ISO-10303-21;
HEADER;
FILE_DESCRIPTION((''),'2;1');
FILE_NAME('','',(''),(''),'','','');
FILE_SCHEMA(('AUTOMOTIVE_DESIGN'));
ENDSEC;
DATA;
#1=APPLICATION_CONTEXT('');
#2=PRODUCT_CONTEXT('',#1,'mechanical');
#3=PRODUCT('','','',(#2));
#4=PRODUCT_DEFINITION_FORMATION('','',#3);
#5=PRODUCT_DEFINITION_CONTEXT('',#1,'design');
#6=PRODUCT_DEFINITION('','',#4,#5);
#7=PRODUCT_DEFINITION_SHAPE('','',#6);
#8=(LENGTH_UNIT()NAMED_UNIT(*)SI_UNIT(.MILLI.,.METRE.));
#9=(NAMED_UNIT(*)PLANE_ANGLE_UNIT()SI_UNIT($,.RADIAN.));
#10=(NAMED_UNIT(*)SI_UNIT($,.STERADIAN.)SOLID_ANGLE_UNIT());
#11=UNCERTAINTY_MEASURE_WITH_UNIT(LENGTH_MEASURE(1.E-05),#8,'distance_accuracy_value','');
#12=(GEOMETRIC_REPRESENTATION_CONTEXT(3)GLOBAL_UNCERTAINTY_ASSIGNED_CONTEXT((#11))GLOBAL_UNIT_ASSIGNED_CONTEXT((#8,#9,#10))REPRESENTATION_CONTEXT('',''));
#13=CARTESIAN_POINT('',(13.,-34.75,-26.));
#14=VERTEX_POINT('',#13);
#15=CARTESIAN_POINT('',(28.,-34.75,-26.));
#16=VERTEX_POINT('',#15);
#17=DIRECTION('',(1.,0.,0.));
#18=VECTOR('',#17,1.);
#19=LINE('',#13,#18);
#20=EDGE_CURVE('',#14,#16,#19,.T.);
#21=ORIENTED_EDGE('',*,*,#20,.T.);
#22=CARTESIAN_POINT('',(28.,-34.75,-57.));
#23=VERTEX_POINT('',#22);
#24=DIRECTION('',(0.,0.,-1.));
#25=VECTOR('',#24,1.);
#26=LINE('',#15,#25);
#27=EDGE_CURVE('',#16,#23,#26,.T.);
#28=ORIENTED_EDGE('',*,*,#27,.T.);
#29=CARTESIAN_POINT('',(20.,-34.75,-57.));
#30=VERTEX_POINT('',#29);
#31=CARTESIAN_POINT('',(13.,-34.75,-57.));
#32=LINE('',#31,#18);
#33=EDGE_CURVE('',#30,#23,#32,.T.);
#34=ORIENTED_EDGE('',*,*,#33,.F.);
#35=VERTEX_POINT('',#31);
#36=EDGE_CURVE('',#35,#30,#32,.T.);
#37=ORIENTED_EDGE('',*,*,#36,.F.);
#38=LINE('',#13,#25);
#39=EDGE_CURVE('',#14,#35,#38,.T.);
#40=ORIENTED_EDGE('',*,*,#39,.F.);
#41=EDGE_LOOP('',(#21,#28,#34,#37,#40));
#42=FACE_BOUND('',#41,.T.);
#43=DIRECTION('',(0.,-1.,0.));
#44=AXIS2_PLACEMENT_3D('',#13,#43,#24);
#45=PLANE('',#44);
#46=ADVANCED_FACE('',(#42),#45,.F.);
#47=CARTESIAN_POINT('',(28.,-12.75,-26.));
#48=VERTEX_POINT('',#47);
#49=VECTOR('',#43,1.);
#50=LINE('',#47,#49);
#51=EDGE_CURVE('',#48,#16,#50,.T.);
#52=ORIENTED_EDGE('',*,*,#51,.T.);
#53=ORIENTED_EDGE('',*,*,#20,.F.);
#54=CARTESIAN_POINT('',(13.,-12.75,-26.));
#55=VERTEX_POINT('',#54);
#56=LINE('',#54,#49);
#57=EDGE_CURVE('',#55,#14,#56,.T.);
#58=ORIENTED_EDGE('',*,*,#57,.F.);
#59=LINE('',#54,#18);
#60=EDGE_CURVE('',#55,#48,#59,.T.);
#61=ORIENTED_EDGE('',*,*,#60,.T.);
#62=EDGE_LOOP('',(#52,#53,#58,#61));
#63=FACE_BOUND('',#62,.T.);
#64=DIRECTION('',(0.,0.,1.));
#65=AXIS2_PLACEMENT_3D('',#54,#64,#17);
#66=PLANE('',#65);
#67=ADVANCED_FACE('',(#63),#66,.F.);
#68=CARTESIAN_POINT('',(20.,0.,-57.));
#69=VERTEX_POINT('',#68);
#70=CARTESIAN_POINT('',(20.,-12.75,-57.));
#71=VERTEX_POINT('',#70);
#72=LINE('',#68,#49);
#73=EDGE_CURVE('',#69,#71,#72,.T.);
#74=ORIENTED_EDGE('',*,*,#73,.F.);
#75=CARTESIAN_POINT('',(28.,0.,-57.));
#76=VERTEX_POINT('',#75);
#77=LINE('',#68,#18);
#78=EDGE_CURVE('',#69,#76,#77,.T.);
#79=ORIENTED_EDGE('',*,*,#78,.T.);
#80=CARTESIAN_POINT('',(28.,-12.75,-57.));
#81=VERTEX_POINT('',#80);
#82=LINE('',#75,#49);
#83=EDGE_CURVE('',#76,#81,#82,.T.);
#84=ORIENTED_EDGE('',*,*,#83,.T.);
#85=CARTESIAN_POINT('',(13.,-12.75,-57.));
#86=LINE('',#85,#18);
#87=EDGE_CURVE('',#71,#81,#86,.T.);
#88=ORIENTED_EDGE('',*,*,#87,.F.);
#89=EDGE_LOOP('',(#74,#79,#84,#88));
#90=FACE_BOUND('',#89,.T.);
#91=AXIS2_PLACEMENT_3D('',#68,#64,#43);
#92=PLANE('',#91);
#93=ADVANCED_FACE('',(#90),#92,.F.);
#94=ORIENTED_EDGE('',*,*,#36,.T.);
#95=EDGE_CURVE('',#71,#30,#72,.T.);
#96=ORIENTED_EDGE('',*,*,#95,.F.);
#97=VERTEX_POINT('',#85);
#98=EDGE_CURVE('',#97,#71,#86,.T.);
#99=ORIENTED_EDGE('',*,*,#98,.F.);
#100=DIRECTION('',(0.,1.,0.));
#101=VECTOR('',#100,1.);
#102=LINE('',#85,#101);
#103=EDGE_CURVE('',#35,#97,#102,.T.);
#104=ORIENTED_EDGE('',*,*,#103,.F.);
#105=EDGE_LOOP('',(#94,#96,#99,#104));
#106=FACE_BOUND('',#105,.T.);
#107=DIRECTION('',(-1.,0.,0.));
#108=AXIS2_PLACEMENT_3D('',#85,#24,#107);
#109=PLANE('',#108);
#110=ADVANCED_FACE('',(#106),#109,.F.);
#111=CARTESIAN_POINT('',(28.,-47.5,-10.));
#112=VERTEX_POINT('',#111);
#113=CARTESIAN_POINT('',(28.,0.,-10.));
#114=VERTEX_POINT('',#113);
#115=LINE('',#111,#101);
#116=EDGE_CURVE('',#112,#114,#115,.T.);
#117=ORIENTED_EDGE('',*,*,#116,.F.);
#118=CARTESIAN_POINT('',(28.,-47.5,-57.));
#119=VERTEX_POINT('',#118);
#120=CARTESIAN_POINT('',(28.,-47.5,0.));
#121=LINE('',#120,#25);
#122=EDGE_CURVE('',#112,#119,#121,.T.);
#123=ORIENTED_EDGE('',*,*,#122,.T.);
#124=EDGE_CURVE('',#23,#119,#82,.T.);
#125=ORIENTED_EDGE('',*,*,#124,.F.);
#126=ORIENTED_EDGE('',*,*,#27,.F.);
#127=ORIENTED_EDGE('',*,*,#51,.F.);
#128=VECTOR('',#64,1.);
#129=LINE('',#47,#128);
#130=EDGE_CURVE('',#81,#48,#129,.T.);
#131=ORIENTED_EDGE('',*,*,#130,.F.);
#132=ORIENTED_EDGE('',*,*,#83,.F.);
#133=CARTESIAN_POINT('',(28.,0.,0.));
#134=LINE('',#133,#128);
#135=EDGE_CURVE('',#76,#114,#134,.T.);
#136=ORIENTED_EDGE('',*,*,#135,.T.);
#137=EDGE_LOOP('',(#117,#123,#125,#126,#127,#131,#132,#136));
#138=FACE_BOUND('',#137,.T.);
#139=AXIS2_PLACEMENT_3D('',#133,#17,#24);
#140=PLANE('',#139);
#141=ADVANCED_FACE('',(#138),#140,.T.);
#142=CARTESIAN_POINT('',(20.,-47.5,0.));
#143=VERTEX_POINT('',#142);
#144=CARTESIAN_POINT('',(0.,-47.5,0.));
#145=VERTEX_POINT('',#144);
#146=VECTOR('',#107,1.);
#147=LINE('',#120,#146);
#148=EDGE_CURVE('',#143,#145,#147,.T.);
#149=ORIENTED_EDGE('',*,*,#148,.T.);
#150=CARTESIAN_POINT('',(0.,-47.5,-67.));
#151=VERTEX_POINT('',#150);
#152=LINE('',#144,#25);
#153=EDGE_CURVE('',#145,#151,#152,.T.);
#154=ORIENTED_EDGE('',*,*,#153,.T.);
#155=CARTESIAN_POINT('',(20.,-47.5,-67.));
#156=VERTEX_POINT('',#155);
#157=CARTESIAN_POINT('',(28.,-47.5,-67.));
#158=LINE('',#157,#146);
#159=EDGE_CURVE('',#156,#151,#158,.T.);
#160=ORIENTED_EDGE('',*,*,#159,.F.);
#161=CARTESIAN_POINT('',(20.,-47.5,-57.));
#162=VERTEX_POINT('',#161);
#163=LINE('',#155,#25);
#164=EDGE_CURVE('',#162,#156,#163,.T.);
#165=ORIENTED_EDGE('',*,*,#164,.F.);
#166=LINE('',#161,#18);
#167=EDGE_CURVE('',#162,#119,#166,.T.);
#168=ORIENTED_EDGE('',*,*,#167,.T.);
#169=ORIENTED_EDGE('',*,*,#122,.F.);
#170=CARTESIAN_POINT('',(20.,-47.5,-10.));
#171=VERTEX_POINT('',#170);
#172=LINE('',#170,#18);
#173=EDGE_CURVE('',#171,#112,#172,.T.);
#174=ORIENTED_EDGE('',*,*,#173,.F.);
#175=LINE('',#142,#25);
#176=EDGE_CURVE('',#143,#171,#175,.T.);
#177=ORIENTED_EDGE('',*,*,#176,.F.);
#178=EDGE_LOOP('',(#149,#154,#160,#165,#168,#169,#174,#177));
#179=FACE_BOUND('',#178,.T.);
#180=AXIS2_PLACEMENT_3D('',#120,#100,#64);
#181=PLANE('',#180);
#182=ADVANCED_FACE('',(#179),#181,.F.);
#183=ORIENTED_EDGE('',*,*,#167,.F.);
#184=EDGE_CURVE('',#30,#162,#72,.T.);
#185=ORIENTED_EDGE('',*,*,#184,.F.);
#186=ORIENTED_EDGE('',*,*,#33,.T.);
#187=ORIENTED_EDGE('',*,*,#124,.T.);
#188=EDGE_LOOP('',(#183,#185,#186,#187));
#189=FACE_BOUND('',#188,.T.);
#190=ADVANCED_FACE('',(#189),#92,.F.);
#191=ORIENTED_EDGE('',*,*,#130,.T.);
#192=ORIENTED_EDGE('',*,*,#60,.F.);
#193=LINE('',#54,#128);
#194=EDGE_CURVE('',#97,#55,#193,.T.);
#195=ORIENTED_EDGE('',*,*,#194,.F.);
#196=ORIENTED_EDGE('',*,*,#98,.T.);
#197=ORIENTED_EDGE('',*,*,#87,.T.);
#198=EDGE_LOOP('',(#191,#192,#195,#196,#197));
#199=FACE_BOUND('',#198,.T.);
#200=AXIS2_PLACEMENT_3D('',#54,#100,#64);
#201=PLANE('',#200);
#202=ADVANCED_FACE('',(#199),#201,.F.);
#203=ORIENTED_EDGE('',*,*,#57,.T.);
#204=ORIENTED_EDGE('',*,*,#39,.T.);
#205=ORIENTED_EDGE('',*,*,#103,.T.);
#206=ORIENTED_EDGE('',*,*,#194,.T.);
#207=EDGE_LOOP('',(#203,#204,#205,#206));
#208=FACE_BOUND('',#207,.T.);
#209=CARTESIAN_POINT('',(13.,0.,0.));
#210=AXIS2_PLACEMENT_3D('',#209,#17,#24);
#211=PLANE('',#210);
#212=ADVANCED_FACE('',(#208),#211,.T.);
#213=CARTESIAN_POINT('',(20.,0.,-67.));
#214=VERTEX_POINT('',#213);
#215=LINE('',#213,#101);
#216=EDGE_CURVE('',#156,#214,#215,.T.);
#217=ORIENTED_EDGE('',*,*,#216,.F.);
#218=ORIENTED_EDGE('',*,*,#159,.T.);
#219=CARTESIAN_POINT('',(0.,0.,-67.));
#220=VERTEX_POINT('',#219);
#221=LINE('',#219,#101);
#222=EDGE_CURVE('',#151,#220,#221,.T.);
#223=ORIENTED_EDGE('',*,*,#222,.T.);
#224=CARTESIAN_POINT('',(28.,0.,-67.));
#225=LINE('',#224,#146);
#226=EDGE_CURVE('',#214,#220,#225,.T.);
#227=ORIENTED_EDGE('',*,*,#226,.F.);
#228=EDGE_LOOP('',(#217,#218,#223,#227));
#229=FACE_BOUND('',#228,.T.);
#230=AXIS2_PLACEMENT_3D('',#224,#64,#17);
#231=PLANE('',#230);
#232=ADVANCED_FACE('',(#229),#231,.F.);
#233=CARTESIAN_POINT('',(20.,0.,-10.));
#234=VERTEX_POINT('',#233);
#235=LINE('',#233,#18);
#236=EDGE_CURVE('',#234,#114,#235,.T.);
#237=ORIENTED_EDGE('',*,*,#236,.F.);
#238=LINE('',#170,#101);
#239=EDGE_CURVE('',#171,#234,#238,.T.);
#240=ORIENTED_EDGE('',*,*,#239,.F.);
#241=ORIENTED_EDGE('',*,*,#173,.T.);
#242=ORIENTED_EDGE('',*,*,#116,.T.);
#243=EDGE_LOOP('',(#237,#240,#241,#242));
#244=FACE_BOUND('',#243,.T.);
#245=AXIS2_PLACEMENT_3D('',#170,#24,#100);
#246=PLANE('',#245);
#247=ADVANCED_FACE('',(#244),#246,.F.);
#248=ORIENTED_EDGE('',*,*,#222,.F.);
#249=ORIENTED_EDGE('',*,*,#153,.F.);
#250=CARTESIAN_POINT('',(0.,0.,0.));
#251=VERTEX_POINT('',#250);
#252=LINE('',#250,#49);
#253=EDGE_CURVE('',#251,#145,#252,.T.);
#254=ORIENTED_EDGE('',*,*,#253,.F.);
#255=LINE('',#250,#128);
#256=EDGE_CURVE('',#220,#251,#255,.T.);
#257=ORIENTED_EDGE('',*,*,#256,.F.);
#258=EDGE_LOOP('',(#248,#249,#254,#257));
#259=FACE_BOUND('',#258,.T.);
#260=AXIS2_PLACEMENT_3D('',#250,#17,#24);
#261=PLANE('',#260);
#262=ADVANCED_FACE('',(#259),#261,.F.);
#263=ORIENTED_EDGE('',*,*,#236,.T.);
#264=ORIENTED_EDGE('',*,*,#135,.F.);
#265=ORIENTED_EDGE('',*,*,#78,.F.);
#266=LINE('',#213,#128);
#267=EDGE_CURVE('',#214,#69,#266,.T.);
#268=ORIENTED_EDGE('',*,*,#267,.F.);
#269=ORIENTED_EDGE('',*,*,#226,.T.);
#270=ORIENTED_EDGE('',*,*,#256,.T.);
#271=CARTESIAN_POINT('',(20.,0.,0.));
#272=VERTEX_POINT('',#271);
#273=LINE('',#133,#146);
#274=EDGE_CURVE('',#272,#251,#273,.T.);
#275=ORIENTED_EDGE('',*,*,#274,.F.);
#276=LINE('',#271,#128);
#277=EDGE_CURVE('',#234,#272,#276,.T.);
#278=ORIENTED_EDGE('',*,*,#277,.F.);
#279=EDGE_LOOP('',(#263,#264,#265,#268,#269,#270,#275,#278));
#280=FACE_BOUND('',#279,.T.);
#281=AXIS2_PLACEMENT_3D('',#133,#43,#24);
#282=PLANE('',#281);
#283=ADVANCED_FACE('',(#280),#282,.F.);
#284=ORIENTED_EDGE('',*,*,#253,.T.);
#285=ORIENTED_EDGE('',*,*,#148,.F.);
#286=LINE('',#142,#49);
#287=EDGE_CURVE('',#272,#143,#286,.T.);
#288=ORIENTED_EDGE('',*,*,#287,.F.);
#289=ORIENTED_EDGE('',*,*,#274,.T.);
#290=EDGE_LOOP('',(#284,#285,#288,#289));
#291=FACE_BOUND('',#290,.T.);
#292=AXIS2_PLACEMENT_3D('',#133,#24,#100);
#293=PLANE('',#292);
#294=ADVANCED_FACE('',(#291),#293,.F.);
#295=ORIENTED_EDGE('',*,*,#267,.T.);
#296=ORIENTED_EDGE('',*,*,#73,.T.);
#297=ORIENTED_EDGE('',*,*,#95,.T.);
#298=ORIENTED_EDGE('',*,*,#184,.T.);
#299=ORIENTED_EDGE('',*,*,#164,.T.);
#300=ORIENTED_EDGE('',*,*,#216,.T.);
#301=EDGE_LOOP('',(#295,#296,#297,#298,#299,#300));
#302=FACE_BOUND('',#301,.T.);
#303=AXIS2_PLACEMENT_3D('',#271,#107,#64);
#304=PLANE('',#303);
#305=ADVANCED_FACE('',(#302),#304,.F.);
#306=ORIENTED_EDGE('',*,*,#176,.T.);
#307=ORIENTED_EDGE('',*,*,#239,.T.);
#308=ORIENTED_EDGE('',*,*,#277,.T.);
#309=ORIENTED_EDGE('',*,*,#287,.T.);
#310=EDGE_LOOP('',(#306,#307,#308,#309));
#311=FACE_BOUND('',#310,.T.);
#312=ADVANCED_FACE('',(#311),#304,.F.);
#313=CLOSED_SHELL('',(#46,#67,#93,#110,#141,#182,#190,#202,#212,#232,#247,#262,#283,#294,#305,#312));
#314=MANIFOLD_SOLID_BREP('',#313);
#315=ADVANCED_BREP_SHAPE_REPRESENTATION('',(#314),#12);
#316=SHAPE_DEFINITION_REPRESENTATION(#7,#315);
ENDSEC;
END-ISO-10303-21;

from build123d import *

# Parameters (mm, degrees)
SKETCH1_W           = 67
SKETCH1_H           = 47.5
BOSS_EXTRUDE1_DEPTH = 28
SKETCH2_W           = 31
SKETCH2_H           = 22
CUT_EXTRUDE1_DEPTH  = 15
SKETCH3_W           = 10
SKETCH3_H           = 47.5
CUT_EXTRUDE2_DEPTH  = 8


with BuildPart() as part:
    # Sketch1 → Boss-Extrude1 (new body)
    with BuildSketch(Plane(origin=(0, 0, 0), x_dir=(0, 0, -1), z_dir=(1, 0, 0))):
        with Locations((33.5, -23.75)):
            Rectangle(SKETCH1_W, SKETCH1_H)
    extrude(amount=BOSS_EXTRUDE1_DEPTH)

    # Sketch2 → Cut-Extrude1 (cut)
    with BuildSketch(Plane(origin=(28, 0, 0), x_dir=(0, 0, -1), z_dir=(1, 0, 0))):
        with Locations((41.5, -23.75)):
            Rectangle(SKETCH2_W, SKETCH2_H)
    extrude(amount=-CUT_EXTRUDE1_DEPTH, mode=Mode.SUBTRACT)

    # Sketch3 → Cut-Extrude2 (cut)
    with BuildSketch(Plane(origin=(28, 0, 0), x_dir=(0, 0, -1), z_dir=(1, 0, 0))):
        with Locations((5, -23.75)):
            Rectangle(SKETCH3_W, SKETCH3_H)
        with Locations((62, -23.75)):
            Rectangle(SKETCH3_W, SKETCH3_H)
    extrude(amount=-CUT_EXTRUDE2_DEPTH, mode=Mode.SUBTRACT)


solid = part.part
